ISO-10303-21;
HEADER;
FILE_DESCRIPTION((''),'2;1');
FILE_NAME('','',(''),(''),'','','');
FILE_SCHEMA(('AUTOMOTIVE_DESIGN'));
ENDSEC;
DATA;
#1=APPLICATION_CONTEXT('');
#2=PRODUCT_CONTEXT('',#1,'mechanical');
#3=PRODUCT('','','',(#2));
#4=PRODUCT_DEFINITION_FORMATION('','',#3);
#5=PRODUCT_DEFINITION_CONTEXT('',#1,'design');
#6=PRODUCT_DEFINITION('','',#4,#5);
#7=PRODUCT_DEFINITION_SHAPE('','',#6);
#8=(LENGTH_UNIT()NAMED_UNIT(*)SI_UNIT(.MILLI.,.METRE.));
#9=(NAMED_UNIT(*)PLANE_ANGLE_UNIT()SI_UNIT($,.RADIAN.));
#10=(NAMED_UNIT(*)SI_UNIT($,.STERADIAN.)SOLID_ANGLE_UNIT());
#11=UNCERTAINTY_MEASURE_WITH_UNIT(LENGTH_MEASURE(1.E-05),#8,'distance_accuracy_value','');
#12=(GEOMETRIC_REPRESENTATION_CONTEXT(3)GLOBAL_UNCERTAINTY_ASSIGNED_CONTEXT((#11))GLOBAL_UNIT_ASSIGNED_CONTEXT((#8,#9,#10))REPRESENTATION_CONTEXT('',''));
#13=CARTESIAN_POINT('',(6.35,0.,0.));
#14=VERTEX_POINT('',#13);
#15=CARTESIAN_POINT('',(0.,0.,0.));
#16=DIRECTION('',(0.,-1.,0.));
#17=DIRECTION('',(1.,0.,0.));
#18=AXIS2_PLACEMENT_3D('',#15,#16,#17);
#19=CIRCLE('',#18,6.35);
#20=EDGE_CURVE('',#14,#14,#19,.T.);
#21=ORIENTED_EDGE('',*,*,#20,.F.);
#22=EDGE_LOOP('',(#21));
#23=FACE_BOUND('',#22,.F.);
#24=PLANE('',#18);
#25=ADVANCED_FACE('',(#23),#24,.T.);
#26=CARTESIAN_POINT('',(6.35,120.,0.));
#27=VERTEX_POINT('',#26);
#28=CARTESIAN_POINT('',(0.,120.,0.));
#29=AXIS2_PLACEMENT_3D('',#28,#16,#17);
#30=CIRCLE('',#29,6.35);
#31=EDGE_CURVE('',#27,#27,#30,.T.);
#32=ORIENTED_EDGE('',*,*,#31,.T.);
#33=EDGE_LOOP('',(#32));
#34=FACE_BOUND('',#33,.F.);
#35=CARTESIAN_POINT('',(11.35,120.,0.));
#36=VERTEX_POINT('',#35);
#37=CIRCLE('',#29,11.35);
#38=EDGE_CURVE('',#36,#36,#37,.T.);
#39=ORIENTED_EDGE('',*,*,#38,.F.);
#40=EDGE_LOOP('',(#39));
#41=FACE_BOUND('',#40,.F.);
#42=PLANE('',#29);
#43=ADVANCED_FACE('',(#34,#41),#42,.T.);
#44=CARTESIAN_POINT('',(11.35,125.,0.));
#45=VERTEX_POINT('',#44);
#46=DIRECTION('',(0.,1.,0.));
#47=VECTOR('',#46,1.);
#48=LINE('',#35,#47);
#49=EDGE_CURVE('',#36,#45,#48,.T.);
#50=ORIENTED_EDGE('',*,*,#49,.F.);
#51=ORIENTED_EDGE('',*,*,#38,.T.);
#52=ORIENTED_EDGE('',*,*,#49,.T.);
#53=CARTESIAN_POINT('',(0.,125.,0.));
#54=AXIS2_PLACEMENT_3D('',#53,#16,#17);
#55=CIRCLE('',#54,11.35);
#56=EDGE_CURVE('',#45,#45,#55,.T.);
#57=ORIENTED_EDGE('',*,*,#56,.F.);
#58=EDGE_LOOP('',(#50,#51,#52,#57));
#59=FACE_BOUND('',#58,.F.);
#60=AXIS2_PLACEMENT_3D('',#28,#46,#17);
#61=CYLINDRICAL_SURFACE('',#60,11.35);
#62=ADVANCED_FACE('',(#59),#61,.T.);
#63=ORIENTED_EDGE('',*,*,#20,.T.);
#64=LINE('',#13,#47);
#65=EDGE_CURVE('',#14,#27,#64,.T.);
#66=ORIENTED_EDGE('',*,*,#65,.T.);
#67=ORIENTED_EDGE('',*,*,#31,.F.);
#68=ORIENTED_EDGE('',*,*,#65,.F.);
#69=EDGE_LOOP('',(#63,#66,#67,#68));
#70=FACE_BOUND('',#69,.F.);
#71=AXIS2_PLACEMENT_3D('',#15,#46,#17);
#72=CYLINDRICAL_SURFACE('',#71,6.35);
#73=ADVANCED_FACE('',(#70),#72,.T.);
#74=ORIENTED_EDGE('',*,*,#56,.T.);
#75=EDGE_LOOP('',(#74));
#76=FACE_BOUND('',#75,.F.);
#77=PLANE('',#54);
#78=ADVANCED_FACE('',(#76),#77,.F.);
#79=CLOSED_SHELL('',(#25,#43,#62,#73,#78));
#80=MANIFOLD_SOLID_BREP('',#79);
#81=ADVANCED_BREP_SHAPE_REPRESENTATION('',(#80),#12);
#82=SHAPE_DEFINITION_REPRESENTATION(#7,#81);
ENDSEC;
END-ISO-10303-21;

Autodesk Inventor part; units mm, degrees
ref_plane "YZ Plane" through (0, 0, 0) normal (1, 0, 0) x (0, 1, 0)
ref_plane "XZ Plane" through (0, 0, 0) normal (0, 1, 0) x (-1, 0, 0)
ref_plane "XY Plane" through (0, 0, 0) normal (0, 0, 1) x (1, 0, 0)
sketch "Sketch1" plane through (0, 0, 0) normal (0, 0, 1) x (1, 0, 0)
  line L0 (0, 0) -> (6.35, 0)
  line L1 (6.35, 0) -> (6.35, 120)
  line L2 (6.35, 120) -> (11.35, 120)
  line L3 (11.35, 120) -> (11.35, 125)
  line L4 (11.35, 125) -> (0, 125)
  line L5 (0, 125) -> (0, 0)
  dimension "d0" = 6.35
  dimension "d1" = 120
  dimension "d2" = 5
  dimension "d3" = 5
revolve "Revolution1" add sketch "Sketch1" angle 360 about axis through (0, 125, 0) along (0, -1, 0)
properties part number "shaft_120mm"
